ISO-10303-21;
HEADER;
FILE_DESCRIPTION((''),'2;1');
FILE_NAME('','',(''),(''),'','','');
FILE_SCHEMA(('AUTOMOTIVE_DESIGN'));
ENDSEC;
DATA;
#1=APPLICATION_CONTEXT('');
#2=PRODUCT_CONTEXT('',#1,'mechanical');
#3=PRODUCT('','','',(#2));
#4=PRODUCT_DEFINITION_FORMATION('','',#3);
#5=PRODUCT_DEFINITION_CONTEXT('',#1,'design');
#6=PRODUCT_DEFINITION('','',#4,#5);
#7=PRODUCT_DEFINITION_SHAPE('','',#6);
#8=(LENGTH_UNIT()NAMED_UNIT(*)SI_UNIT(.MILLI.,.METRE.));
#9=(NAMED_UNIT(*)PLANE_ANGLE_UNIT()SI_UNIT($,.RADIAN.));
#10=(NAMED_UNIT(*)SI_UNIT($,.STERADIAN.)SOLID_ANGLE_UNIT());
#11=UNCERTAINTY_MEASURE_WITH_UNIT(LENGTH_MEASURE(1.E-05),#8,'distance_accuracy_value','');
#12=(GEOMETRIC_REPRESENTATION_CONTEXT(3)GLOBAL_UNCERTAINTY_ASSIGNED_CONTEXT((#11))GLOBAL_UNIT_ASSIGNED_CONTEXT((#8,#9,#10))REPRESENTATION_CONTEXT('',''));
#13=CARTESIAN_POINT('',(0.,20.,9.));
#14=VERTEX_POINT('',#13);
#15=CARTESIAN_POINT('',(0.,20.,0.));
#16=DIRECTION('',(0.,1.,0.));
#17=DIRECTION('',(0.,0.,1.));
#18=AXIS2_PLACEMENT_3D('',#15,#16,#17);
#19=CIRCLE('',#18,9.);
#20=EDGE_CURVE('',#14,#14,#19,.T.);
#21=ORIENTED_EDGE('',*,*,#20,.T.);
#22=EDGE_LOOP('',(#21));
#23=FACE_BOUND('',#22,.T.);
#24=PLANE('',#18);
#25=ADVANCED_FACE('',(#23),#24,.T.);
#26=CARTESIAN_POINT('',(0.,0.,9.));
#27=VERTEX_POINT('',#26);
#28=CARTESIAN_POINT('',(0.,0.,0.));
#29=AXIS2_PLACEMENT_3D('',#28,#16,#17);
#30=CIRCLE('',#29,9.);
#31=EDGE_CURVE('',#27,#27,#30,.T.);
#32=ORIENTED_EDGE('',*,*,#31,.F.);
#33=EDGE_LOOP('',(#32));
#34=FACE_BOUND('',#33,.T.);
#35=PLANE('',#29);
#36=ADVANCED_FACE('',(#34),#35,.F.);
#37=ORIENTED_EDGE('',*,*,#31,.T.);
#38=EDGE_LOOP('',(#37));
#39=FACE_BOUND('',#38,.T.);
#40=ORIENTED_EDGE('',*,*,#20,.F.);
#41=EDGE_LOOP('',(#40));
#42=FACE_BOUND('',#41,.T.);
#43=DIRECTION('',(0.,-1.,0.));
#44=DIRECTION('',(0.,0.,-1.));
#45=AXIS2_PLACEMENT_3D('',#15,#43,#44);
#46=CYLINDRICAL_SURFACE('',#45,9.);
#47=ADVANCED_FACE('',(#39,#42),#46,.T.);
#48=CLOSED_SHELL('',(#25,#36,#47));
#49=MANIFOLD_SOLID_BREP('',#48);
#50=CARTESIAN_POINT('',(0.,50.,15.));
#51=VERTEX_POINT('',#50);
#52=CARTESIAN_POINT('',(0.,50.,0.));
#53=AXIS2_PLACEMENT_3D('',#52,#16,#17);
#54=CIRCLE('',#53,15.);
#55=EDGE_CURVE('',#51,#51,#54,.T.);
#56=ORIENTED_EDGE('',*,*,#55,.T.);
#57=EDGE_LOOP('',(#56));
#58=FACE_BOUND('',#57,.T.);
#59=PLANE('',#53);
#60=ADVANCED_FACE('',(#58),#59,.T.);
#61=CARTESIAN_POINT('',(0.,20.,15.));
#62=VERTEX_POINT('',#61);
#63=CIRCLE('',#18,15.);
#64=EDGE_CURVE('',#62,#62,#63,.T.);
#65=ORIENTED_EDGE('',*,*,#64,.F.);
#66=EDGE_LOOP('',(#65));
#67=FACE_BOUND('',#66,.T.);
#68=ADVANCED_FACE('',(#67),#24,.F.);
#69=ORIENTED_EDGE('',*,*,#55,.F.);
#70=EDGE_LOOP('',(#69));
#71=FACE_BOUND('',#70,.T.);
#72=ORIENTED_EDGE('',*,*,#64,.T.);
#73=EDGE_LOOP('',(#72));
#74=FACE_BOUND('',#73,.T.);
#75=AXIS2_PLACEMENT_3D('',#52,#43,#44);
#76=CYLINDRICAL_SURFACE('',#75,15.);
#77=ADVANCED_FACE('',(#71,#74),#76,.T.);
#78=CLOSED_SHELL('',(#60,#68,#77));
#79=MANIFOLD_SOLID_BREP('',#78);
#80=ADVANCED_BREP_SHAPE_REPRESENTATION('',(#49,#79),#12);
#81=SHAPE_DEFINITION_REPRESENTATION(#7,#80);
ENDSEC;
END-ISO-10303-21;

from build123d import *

# Parameters (mm, degrees)
SKETCH_1_R      = 9
EXTRUDE_1_DEPTH = 20
SKETCH_2_R      = 15
EXTRUDE_3_DEPTH = 30


with BuildPart() as part:
    # 草图1 → 凸台-拉伸1 (new body)
    with BuildSketch(Plane(origin=(0, 0, 0), x_dir=(1, 0, 0), z_dir=(0, 1, 0))):
        with Locations(Location((0, 0, 0), (0, 0, 270))):
            Circle(SKETCH_1_R)
    extrude(amount=EXTRUDE_1_DEPTH)


with BuildPart() as body_2:
    # 草图2 → 凸台-拉伸3 (new body)
    with BuildSketch(Plane(origin=(0, 20, 0), x_dir=(1, 0, 0), z_dir=(0, 1, 0))):
        with Locations(Location((0, 0, 0), (0, 0, 270))):
            Circle(SKETCH_2_R)
    extrude(amount=EXTRUDE_3_DEPTH)


solid = Compound([part.part, body_2.part])
